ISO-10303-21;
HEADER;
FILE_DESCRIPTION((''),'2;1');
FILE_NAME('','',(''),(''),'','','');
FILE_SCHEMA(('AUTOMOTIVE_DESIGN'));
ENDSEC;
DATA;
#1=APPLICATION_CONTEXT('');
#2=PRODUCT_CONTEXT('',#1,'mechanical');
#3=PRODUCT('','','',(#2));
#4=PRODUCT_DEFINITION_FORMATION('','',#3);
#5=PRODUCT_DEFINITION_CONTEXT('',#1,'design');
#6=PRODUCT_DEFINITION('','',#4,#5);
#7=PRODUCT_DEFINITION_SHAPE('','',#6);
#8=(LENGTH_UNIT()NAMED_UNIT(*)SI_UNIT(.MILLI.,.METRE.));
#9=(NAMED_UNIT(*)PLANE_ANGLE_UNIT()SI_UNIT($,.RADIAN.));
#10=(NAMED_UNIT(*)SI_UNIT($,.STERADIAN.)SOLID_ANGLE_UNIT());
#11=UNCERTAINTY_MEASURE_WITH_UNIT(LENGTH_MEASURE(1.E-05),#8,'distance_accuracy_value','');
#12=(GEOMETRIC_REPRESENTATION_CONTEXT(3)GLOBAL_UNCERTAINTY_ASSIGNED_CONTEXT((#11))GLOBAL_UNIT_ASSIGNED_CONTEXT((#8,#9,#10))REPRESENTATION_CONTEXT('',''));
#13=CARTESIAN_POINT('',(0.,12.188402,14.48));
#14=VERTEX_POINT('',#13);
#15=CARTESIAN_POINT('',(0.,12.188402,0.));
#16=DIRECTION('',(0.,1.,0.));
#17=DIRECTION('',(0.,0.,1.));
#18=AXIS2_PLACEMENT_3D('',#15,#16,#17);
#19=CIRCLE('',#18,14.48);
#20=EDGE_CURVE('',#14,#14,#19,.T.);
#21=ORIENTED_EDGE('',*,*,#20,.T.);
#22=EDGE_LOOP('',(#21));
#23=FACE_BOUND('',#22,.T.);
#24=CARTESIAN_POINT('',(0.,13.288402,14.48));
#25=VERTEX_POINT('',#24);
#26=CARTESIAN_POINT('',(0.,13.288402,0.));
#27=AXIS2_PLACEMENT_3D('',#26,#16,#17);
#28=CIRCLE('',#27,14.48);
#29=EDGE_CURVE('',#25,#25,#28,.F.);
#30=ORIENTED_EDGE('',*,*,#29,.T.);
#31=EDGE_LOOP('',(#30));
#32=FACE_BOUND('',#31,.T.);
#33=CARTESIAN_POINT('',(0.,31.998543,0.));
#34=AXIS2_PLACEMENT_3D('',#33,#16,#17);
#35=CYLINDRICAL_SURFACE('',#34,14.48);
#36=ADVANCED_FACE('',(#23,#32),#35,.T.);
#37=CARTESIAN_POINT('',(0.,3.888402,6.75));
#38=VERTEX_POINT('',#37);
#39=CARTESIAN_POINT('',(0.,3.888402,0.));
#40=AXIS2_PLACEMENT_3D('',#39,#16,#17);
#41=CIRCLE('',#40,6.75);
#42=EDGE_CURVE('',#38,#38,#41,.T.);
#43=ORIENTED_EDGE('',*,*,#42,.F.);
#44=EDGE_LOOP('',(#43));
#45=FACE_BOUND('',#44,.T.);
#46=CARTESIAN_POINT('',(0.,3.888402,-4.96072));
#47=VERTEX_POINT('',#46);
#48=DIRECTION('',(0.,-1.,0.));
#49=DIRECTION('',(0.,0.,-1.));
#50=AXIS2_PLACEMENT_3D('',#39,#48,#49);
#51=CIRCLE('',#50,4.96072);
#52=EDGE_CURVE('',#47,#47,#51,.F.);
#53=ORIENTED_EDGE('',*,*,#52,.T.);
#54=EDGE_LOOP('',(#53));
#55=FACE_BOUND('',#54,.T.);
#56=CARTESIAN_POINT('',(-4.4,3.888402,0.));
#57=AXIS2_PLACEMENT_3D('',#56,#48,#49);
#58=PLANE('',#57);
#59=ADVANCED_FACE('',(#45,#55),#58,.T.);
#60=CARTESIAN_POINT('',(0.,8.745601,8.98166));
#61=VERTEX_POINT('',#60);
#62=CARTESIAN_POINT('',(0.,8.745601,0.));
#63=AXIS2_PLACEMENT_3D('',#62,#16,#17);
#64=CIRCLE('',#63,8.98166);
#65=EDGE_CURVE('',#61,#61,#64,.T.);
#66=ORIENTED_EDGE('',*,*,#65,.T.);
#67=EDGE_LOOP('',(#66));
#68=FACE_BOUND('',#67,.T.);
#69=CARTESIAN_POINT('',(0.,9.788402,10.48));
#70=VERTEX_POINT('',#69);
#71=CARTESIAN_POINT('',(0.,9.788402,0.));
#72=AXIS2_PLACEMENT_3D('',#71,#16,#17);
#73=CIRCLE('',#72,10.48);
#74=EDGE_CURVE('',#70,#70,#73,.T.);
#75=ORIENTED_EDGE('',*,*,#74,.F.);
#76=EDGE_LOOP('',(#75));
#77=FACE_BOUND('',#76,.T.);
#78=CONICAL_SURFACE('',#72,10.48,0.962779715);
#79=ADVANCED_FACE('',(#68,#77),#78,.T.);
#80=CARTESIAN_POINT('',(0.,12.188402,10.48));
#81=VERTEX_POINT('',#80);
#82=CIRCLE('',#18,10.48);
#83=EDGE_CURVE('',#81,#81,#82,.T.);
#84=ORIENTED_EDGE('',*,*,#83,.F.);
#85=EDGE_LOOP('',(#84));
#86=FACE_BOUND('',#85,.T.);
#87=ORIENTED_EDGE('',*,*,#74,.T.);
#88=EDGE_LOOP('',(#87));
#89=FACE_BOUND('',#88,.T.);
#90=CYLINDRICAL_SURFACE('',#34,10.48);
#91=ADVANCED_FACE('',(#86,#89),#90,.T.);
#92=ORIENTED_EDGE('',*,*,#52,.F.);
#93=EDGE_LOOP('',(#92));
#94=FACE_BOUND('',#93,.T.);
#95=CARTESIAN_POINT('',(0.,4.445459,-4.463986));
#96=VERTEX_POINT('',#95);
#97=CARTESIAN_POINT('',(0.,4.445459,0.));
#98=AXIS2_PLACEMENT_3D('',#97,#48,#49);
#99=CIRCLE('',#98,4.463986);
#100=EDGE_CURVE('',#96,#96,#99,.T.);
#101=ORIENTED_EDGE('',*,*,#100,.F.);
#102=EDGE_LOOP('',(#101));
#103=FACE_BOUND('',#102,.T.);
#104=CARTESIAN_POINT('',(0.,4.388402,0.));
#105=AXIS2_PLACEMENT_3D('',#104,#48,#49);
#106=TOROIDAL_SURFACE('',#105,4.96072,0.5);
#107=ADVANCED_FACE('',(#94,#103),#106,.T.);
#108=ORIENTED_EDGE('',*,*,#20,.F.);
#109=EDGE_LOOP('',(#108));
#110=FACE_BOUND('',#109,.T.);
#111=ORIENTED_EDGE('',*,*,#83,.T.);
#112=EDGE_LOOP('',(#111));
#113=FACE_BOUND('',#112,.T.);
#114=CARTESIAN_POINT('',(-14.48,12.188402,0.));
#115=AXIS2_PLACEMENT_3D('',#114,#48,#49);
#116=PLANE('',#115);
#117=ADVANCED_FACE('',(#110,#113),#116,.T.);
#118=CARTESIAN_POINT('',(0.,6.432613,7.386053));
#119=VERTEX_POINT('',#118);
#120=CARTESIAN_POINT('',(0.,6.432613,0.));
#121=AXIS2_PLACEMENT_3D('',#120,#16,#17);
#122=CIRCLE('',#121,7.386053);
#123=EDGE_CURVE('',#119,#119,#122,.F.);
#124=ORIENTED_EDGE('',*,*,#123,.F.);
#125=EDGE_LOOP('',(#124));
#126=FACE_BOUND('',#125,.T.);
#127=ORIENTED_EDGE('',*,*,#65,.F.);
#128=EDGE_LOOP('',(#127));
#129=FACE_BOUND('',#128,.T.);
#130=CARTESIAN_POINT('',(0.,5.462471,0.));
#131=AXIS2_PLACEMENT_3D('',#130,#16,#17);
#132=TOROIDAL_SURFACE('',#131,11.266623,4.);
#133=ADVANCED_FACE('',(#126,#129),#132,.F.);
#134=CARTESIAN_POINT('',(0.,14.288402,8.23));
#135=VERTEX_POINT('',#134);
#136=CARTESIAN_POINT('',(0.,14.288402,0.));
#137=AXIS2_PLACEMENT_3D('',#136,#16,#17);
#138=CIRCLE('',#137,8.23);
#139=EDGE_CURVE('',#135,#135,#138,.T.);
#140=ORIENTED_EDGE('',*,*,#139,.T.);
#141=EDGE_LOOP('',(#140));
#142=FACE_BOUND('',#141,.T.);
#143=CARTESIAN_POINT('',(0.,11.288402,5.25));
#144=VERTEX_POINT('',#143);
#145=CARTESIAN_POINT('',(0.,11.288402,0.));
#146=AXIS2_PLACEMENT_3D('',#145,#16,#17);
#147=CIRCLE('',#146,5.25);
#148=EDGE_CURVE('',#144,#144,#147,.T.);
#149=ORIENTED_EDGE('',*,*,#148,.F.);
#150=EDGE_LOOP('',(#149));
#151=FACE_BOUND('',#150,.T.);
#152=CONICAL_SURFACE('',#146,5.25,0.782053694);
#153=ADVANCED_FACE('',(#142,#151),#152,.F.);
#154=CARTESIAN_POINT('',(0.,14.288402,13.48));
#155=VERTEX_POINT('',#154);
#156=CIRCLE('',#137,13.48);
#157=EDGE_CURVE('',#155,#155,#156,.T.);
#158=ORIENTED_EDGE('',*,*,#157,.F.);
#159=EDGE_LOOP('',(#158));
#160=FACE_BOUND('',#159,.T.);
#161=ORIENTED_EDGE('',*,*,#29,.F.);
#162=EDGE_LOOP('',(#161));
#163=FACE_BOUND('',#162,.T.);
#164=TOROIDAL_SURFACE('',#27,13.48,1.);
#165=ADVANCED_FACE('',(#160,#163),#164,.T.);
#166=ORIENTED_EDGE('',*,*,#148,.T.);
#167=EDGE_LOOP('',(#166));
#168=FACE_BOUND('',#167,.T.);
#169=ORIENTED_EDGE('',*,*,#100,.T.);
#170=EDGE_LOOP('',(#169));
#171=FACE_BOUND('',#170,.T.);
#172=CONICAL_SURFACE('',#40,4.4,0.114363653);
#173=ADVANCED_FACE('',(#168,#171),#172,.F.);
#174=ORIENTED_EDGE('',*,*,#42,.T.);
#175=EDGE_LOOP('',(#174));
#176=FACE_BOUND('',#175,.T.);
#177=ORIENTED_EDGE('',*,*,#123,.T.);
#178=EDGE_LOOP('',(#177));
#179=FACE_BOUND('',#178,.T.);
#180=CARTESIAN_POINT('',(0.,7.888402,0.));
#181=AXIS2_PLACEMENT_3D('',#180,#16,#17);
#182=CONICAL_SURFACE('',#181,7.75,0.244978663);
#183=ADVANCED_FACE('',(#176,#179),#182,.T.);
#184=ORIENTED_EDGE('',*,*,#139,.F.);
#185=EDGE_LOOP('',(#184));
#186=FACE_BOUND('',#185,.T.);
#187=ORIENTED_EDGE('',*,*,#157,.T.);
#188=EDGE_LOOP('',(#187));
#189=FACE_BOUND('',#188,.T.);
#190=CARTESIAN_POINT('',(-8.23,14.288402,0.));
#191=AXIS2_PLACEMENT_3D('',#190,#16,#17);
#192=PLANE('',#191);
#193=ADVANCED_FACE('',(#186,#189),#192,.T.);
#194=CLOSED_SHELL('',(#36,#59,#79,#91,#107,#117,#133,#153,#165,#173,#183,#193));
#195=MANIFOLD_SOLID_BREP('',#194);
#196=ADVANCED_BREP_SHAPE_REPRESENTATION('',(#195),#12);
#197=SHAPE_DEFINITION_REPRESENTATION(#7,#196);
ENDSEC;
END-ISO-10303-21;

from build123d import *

# Parameters (mm, degrees)
CONG_1_R = 4
CONG_2_R = 0.5
CONG_4_R = 1


with BuildPart() as part:
    # Esquisse1 → Révolution1 (revolve)
    with BuildSketch(Plane.XY, mode=Mode.PRIVATE) as r_volution1_sk:
        Polygon((-8.23, 14.28840181), (-14.48, 14.28840181), (-14.48, 12.18840181), (-10.48, 12.18840181), (-10.48, 9.78840181), (-7.75, 7.88840181), (-6.75, 3.88840181), (-4.4, 3.88840181), (-5.25, 11.28840181), align=None)
    revolve(r_volution1_sk.sketch.rotate(Axis((0, 31.998542825, 0), (0, -1, 0)), 270), axis=Axis((0, 31.998542825, 0), (0, -1, 0)))  # turned: the seam where the file's is

    # Congé1
    cong_1_edges = [part.edges().sort_by_distance(p)[0] for p in [
        (0, 7.88840181, -7.75),
    ]]
    fillet(cong_1_edges, radius=CONG_1_R)

    # Congé2
    cong_2_edges = [part.edges().sort_by_distance(p)[0] for p in [
        (0, 3.88840181, -4.4),
    ]]
    fillet(cong_2_edges, radius=CONG_2_R)

    # Congé4
    cong_4_edges = [part.edges().sort_by_distance(p)[0] for p in [
        (0, 14.28840181, -14.48),
    ]]
    fillet(cong_4_edges, radius=CONG_4_R)


solid = part.part
